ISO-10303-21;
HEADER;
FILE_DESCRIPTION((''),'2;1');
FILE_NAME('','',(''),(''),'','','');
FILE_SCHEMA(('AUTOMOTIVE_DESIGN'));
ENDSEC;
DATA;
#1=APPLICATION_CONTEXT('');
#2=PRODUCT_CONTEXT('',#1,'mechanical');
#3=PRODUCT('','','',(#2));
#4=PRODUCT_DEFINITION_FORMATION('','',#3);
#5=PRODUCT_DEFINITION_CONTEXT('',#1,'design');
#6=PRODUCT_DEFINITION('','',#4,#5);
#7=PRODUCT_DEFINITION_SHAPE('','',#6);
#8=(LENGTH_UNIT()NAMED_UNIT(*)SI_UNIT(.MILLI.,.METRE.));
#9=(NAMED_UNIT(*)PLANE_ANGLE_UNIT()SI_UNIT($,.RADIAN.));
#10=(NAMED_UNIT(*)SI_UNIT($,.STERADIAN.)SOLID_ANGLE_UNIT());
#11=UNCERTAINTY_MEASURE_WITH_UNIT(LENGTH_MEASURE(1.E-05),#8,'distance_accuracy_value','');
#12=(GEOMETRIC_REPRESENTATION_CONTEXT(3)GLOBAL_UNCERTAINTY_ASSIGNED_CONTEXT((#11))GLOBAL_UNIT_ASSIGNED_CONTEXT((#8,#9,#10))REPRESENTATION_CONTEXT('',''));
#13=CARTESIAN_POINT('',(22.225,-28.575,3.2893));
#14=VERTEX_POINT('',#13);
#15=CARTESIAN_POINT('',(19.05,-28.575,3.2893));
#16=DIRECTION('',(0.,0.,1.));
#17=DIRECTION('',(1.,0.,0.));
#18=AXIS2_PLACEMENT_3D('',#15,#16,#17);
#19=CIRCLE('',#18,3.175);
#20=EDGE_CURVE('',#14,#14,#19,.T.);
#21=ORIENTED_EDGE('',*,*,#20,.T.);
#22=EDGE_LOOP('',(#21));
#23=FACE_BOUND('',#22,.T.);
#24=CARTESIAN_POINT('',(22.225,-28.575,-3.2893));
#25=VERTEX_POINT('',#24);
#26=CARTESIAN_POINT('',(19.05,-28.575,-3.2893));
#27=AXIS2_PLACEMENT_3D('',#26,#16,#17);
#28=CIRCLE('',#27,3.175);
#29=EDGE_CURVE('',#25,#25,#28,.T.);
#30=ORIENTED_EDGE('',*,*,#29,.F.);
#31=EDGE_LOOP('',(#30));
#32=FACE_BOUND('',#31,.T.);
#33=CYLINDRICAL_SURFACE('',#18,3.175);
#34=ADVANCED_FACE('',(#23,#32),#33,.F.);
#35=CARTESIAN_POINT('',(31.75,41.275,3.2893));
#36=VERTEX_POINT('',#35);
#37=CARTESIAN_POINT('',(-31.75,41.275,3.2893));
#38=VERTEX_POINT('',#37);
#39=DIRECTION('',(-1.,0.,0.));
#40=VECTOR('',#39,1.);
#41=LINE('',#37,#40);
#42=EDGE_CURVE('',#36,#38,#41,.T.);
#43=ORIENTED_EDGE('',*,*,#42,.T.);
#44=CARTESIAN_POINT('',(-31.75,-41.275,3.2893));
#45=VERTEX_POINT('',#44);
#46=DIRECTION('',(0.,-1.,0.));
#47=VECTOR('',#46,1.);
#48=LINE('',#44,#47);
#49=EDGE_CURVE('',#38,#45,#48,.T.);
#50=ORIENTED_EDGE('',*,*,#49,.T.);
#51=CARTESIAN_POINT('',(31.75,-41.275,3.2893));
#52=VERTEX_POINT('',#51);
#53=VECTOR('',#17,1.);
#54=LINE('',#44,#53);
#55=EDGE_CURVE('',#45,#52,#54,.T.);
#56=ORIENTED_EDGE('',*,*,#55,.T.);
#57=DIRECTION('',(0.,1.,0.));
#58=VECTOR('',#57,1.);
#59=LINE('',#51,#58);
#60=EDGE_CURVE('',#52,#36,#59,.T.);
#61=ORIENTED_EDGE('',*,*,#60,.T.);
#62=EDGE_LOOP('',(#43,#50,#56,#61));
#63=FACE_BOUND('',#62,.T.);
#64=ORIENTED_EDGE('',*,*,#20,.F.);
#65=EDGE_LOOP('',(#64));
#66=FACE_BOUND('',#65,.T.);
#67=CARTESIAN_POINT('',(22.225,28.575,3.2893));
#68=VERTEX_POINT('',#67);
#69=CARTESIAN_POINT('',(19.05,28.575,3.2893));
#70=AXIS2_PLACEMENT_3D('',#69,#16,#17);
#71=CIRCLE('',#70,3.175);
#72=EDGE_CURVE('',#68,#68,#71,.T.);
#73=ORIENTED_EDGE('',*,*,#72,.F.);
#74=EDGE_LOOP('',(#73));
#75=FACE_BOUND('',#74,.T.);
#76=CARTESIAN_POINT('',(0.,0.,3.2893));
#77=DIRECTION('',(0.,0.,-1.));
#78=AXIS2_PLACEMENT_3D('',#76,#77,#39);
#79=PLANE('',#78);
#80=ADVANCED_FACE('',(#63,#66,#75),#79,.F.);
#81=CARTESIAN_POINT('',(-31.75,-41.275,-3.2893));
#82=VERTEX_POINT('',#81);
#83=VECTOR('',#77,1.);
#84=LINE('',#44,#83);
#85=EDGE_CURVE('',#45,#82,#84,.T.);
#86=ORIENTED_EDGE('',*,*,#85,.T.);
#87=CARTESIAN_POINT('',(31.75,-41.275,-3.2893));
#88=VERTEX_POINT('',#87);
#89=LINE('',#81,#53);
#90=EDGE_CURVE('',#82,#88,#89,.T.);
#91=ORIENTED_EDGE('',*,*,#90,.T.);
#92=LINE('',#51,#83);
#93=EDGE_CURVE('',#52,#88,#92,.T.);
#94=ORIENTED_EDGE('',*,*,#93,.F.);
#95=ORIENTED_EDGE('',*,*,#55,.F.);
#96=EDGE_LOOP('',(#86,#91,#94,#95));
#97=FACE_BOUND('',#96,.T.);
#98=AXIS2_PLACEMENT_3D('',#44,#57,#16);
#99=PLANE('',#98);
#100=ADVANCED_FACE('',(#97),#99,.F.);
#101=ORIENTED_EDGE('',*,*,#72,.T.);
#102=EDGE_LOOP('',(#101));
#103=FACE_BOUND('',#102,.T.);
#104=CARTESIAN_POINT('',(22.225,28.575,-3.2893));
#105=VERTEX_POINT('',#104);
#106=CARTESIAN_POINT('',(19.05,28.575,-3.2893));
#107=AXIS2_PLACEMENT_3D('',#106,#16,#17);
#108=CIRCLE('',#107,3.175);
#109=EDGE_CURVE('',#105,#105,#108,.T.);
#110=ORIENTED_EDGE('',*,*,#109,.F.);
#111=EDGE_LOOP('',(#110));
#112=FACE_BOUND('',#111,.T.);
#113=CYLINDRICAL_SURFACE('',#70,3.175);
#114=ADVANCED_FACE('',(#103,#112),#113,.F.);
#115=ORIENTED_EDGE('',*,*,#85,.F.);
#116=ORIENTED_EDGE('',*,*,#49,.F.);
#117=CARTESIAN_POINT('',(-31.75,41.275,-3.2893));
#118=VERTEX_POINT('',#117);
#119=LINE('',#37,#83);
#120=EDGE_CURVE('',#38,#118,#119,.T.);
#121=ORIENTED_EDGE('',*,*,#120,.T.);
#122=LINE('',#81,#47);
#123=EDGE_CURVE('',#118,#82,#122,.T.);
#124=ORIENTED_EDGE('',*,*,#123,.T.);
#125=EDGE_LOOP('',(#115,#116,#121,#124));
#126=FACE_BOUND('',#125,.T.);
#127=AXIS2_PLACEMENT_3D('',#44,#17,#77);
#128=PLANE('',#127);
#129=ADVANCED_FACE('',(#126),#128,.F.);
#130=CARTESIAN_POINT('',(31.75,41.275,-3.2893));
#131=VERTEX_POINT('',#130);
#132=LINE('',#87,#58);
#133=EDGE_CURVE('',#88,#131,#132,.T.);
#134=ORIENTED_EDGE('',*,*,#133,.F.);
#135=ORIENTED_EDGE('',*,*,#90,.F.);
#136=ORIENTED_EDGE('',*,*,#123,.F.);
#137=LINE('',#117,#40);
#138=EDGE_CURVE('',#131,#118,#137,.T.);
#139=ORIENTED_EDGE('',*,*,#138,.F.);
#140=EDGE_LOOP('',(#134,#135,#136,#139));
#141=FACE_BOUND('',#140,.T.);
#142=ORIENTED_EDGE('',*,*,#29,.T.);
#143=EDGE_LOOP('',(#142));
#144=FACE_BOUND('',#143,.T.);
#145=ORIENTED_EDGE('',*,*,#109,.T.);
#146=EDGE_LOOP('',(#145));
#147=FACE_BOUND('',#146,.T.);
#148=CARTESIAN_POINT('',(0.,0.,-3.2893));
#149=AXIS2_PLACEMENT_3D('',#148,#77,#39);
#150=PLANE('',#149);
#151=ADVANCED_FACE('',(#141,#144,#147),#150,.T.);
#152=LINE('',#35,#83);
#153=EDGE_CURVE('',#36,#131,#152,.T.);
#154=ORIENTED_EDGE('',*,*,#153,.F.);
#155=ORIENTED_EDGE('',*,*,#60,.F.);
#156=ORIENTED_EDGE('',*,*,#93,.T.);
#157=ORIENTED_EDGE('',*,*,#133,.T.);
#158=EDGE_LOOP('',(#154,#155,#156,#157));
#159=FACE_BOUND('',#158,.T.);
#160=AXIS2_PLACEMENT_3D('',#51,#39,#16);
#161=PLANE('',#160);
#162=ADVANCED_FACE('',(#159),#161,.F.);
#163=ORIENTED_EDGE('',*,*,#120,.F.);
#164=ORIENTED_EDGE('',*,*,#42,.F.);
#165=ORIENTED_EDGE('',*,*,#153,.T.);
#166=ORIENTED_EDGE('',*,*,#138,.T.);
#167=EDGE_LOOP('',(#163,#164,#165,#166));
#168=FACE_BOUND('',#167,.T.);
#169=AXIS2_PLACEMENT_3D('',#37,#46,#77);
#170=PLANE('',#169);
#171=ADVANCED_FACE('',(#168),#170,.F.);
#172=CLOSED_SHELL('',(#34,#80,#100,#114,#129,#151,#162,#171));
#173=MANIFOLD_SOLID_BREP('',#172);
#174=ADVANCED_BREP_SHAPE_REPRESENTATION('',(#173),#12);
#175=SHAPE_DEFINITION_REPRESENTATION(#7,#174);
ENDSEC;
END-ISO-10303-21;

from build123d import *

# Parameters (mm, degrees)
SKETCH1_W                  = 63.5
SKETCH1_H                  = 82.55
BOSS_EXTRUDE1_DEPTH        = 3.2893
F_97_0_25_DIAMETER_HOLE2_D = 6.35


with BuildPart() as part:
    # Sketch1 → Boss-Extrude1 (new, symmetric)
    with BuildSketch(Plane.XY):
        Rectangle(SKETCH1_W, SKETCH1_H)
    extrude(amount=BOSS_EXTRUDE1_DEPTH, both=True)

    # #97 (0.25) Diameter Hole2 (through all)
    with Locations(Plane(origin=(19.05, 28.575, 3.2893), x_dir=(1, 0, 0), z_dir=(0, 0, 1))):
        with Locations((0, 0), (0, -57.15)):
            Hole(F_97_0_25_DIAMETER_HOLE2_D / 2)


solid = part.part
